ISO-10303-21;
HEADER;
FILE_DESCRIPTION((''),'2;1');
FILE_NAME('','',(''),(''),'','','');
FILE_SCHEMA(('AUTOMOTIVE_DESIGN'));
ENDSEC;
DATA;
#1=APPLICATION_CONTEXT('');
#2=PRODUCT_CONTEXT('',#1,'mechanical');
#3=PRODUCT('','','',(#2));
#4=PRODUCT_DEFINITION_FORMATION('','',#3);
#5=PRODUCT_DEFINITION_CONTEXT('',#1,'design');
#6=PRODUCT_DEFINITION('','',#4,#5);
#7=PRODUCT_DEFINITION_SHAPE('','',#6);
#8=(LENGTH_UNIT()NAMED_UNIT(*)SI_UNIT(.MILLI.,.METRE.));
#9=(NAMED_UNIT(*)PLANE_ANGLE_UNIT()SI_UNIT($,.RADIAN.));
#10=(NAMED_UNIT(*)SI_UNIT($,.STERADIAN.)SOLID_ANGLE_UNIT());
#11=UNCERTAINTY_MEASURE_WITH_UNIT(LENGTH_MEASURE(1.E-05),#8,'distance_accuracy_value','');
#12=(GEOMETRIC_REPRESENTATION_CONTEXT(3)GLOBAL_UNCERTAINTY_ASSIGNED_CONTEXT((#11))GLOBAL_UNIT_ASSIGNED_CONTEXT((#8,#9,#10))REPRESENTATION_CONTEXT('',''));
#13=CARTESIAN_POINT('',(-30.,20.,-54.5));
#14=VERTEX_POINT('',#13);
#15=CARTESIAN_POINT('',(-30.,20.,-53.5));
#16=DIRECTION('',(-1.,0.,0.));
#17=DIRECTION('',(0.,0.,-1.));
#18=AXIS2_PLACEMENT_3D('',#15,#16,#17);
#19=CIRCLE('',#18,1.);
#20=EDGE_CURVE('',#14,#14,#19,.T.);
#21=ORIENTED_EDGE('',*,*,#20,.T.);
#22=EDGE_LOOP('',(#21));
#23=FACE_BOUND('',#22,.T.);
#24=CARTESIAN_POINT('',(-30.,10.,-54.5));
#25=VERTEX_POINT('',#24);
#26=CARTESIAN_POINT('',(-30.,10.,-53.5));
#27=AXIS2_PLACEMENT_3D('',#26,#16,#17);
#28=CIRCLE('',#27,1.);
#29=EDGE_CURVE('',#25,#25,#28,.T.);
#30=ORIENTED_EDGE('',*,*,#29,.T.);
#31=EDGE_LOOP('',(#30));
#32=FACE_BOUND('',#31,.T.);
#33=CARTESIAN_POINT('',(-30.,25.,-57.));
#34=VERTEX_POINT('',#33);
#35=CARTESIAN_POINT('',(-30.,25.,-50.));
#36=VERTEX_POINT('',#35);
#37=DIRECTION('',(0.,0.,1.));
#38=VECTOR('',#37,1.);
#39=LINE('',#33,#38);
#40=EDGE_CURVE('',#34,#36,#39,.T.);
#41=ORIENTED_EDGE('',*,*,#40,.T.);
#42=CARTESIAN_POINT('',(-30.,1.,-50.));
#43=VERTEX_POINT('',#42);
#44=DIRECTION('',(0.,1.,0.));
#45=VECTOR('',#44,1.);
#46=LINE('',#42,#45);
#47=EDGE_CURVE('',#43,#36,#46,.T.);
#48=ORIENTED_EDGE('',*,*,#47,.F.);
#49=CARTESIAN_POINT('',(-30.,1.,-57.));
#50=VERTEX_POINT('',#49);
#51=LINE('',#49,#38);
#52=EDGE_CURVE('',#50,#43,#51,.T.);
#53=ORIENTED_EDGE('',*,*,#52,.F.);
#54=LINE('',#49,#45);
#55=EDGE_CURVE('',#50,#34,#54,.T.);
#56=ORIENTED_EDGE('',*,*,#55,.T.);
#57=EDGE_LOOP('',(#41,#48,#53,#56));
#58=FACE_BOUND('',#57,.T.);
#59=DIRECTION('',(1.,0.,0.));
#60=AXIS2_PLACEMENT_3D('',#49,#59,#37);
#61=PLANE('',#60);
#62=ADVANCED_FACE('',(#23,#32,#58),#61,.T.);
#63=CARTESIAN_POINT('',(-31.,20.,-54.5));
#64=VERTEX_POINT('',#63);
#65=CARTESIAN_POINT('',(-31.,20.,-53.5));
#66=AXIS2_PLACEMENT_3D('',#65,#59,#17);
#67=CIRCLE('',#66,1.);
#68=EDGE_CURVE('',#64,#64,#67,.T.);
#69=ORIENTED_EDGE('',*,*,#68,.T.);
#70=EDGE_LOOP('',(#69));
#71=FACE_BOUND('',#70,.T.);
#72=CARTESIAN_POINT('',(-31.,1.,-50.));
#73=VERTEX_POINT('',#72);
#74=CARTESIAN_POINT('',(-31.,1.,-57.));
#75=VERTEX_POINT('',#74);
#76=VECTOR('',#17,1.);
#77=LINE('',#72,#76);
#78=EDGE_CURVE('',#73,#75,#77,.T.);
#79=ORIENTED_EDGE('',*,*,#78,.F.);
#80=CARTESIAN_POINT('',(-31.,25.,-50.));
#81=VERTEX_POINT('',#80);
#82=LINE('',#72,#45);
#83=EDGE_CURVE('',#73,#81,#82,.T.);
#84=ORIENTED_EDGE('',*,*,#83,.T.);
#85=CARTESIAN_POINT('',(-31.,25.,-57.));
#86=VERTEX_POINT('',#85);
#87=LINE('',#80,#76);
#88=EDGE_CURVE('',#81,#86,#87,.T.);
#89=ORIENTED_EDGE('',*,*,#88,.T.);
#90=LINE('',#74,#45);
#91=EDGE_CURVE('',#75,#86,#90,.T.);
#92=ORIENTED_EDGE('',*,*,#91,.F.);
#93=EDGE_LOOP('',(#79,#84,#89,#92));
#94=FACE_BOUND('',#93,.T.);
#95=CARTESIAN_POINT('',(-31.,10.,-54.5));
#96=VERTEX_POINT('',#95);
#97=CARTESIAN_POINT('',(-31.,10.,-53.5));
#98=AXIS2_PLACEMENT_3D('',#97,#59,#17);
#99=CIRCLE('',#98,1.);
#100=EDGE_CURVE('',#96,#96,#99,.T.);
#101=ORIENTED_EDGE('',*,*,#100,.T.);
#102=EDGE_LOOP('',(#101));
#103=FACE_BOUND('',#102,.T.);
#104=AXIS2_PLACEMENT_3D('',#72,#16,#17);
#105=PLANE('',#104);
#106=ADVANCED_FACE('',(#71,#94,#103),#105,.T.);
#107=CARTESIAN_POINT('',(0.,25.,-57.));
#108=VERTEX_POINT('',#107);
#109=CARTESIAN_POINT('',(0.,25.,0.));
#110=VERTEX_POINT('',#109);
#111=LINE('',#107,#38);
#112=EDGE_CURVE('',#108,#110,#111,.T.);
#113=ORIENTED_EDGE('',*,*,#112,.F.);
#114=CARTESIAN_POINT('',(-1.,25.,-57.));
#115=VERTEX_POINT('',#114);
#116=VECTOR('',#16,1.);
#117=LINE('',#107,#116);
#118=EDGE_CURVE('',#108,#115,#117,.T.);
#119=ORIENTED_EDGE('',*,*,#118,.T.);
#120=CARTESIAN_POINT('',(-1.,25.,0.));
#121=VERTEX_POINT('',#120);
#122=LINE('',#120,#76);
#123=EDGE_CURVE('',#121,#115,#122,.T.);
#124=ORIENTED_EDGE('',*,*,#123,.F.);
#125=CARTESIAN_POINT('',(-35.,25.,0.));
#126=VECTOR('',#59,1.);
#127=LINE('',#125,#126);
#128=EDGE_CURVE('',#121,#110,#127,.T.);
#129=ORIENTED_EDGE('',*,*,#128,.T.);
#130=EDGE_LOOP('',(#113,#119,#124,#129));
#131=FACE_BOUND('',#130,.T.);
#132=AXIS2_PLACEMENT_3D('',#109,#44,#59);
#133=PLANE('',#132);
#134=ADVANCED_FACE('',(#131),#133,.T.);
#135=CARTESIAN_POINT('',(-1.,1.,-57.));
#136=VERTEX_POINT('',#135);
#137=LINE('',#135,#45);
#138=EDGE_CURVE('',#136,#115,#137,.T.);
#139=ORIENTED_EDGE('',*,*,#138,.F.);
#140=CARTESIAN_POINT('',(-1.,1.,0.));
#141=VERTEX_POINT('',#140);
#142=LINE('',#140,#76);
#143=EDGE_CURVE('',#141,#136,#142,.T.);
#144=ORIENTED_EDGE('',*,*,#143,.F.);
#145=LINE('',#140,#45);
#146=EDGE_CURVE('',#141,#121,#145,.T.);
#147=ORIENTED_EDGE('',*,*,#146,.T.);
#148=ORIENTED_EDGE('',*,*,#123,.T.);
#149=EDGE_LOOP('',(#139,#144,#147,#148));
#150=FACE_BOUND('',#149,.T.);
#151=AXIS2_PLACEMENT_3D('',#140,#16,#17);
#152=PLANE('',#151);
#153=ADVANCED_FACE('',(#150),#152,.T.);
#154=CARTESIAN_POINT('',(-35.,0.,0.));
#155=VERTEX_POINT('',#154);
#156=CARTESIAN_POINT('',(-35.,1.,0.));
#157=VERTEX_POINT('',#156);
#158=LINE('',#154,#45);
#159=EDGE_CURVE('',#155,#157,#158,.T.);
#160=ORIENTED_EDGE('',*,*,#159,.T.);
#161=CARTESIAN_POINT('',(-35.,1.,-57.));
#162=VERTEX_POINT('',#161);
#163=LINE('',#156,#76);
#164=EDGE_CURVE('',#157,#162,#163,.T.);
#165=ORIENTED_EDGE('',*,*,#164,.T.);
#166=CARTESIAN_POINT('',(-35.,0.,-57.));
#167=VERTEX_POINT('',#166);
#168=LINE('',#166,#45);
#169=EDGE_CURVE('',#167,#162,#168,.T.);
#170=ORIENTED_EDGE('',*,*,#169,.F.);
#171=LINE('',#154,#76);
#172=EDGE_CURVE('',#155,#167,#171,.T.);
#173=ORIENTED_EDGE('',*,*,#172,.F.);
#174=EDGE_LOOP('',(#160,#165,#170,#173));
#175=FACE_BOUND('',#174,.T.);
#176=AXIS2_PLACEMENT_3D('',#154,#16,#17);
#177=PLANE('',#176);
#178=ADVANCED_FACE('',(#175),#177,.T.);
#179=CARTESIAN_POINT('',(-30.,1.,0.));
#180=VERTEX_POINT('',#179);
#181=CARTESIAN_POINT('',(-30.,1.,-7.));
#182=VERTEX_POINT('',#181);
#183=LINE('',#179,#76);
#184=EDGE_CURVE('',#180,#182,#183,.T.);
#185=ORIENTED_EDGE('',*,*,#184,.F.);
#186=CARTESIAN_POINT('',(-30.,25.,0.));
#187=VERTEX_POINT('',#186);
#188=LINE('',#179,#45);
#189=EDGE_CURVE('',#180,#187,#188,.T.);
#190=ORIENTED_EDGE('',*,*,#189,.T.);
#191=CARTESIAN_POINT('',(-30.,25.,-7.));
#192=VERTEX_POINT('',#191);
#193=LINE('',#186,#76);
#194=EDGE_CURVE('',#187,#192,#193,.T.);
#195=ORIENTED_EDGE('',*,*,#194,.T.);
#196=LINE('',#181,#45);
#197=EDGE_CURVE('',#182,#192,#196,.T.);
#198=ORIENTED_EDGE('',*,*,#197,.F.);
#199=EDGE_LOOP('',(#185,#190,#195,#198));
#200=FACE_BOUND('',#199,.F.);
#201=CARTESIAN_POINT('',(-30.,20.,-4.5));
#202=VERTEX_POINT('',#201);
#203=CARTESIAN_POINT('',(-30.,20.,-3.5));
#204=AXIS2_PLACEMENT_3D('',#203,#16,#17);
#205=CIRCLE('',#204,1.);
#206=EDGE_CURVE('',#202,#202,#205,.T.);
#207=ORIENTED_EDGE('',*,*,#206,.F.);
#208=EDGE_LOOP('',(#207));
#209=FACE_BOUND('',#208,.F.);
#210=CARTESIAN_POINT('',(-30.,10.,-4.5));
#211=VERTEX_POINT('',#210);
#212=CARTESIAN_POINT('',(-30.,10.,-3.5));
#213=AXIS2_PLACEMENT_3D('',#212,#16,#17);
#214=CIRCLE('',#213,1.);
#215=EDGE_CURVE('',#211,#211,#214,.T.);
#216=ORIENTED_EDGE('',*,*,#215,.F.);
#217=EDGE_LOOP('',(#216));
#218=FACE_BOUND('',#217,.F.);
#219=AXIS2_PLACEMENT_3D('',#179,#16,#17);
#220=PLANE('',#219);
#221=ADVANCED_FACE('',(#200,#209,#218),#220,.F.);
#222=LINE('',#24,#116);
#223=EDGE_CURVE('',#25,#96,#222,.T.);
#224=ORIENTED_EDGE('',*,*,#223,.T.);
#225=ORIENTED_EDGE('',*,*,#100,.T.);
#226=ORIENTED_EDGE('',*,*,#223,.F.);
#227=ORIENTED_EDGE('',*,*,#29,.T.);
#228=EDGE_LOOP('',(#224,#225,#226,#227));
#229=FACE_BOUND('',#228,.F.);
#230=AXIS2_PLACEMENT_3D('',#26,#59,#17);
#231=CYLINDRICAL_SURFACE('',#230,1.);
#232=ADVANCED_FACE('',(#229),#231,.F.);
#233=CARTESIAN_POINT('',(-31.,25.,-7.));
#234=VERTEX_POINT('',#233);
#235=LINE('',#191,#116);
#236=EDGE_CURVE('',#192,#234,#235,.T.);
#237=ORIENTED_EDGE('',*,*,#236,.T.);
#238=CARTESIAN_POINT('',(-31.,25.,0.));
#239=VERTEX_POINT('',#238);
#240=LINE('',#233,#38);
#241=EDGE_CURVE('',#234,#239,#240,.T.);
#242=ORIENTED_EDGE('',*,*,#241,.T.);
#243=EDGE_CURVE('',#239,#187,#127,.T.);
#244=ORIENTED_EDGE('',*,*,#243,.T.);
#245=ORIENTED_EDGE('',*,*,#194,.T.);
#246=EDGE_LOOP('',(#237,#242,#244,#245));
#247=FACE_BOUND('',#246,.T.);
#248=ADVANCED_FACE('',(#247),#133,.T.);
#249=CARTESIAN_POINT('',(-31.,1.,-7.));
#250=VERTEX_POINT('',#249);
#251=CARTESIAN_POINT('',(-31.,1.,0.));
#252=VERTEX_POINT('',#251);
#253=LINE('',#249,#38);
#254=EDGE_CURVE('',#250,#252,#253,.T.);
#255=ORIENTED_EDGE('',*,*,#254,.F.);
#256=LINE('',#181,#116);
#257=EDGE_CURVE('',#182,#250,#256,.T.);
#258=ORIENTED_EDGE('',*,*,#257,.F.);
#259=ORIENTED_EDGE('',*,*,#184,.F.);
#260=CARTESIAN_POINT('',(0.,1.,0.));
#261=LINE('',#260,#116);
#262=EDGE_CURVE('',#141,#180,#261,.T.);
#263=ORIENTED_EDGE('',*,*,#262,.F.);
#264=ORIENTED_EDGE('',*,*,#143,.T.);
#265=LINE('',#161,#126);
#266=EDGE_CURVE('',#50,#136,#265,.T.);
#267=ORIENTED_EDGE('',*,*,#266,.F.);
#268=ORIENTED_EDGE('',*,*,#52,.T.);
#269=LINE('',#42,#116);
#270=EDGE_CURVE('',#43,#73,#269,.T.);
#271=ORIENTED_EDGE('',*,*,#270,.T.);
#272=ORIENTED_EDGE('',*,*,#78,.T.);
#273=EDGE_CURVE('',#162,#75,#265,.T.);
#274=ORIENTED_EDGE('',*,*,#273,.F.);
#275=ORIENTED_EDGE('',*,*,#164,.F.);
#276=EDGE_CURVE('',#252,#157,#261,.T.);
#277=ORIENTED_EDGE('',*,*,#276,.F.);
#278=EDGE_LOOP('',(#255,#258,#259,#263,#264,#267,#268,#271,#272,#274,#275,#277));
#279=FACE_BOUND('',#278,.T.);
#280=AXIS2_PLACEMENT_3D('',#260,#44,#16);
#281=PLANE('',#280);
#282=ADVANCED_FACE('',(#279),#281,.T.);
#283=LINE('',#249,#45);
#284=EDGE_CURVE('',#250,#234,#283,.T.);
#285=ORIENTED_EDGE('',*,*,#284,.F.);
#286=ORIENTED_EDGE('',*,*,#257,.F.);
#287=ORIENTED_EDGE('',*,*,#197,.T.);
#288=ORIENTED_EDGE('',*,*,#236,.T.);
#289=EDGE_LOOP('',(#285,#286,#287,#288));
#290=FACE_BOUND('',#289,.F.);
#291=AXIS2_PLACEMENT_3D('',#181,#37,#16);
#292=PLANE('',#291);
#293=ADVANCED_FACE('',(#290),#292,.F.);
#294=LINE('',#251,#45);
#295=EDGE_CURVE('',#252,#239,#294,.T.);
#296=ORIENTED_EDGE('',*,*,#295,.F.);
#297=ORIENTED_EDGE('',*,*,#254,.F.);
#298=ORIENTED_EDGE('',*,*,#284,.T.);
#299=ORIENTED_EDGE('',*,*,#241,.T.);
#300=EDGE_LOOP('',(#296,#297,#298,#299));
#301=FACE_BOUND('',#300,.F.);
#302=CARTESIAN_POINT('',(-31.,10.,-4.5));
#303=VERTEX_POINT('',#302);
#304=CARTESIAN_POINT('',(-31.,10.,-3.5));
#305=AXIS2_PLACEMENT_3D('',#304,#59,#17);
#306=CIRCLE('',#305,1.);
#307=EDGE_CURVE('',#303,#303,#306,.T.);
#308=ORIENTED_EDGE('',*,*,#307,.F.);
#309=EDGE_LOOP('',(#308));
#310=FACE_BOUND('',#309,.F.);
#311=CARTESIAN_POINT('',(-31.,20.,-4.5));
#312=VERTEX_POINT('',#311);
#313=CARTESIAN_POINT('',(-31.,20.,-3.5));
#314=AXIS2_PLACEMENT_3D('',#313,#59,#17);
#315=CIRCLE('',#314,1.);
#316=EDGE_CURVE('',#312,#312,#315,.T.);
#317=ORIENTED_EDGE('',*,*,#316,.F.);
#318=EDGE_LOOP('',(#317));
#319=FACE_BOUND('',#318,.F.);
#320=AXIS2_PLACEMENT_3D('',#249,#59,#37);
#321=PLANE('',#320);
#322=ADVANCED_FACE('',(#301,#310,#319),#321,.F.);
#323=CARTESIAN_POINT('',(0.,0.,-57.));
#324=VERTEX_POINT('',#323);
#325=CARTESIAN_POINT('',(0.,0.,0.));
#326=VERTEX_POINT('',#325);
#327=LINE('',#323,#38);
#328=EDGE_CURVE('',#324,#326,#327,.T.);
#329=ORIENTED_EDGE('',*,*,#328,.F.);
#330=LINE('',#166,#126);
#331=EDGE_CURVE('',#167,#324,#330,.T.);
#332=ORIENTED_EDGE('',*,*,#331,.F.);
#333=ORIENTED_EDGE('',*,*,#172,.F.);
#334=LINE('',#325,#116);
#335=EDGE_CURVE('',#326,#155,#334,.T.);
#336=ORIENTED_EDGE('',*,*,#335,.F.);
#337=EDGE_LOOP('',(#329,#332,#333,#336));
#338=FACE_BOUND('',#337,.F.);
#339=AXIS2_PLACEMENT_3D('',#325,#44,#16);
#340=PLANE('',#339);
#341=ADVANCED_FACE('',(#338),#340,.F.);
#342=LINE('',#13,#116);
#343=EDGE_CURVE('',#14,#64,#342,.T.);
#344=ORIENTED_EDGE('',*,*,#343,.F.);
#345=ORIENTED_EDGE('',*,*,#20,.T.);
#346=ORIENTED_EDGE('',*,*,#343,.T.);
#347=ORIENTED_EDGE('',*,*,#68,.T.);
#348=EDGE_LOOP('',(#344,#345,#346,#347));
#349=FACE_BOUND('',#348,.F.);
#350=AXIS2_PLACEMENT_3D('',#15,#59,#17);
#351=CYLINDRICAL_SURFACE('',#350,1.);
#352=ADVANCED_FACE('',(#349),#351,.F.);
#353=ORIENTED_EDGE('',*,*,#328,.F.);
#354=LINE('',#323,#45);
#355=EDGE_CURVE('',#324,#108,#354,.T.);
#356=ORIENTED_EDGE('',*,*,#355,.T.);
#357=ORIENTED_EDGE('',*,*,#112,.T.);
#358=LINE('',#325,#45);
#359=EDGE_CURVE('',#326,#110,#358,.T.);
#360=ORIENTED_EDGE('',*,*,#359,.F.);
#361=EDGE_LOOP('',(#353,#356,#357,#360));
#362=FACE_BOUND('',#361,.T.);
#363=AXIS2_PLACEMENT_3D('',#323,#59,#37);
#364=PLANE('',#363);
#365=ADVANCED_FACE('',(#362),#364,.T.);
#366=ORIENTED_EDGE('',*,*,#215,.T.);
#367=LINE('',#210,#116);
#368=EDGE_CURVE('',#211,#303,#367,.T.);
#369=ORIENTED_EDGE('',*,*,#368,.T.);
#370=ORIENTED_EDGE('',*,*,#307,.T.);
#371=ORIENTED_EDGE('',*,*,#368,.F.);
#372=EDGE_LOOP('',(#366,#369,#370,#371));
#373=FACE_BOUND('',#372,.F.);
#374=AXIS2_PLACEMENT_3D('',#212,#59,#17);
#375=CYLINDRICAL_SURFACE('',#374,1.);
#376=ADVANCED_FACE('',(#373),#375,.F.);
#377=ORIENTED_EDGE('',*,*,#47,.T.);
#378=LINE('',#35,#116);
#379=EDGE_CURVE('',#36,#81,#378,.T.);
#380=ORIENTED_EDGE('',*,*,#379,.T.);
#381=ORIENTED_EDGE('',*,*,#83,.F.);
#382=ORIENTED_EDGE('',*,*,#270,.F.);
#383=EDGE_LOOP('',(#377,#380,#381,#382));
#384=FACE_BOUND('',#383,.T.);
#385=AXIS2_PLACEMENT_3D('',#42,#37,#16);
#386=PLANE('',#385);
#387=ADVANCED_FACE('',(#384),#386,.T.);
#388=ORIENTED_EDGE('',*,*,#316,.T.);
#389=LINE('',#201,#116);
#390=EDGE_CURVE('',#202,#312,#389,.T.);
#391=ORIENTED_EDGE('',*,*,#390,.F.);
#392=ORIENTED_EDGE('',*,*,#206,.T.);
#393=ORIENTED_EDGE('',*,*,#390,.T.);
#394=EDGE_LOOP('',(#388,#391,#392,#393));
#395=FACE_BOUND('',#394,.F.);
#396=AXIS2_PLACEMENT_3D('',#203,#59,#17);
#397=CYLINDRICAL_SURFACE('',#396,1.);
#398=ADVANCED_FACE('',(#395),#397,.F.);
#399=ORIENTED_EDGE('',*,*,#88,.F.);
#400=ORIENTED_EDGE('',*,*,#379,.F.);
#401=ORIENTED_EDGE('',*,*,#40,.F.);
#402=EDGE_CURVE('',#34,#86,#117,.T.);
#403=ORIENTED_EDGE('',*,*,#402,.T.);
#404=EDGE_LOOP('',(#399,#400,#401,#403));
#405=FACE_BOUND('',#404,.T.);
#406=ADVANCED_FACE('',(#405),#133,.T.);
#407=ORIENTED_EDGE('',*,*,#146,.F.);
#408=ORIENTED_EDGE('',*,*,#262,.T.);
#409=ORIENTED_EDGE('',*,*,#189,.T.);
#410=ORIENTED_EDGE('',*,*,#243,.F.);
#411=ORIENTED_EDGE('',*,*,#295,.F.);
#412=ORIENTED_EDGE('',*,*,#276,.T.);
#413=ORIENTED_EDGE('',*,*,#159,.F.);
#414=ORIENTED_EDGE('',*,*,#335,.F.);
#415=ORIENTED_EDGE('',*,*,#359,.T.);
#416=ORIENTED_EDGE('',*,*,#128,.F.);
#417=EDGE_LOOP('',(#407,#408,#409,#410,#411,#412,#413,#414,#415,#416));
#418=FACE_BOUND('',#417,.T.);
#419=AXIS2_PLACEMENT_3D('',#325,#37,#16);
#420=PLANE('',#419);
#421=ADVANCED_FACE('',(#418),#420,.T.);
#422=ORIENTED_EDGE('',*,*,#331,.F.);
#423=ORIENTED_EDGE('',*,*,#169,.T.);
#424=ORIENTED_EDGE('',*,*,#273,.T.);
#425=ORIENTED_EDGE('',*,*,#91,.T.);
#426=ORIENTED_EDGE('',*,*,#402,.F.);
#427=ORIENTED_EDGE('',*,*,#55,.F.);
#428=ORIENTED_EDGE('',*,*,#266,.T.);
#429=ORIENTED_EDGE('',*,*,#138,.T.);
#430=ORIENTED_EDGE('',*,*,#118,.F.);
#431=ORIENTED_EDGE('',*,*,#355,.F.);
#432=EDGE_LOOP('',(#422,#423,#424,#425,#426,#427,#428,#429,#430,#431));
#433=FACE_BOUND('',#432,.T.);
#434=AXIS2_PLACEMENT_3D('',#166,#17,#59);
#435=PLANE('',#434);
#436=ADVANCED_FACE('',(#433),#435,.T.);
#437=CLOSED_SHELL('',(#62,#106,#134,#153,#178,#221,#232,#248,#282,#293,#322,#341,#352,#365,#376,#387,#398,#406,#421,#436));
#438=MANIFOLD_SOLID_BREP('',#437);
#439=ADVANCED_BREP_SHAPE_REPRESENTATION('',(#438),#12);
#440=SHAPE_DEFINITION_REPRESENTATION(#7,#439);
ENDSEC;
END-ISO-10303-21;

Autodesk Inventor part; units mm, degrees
ref_plane "YZ Plane" through (0, 0, 0) normal (1, 0, 0) x (0, 1, 0)
ref_plane "XZ Plane" through (0, 0, 0) normal (0, 1, 0) x (-1, 0, 0)
ref_plane "XY Plane" through (0, 0, 0) normal (0, 0, 1) x (1, 0, 0)
sketch "Sketch1" plane through (0, 0, 0) normal (0, 1, 0) x (-1, 0, 0)
  line L0 (0, 0) -> (35, 0)
  line L1 (35, 0) -> (35, -57)
  line L2 (35, -57) -> (0, -57)
  line L3 (0, -57) -> (0, 0)
  dimension "d0" = 35
  dimension "d1" = 57
extrude "Extrusion1" add sketch "Sketch1" along normal blind 1
sketch "Sketch2" plane through (0, 1, 0) normal (0, 1, 0) x (1, 0, 0)
  line L0 (-35, 0) -> (0, 0) projected
  line L1 (0, 57) -> (-35, 57) projected
  line L2 (0, 0) -> (-1, 0)
  line L3 (-1, 0) -> (-1, 57)
  line L4 (-1, 57) -> (0, 57)
  line L5 (0, 57) -> (0, 0)
  line L6 (-31, 0) -> (-30, 0)
  line L7 (-30, 0) -> (-30, 7)
  line L8 (-30, 7) -> (-31, 7)
  line L9 (-31, 7) -> (-31, 0)
  line L10 (-31, 57) -> (-30, 57)
  line L11 (-30, 57) -> (-30, 50)
  line L12 (-30, 50) -> (-31, 50)
  line L13 (-31, 50) -> (-31, 57)
  dimension "d4" = 1
  dimension "d5" = 31
  dimension "d6" = 1
  dimension "d7" = 7
  dimension "d8" = 7
extrude "Extrusion2" add sketch "Sketch2" along normal blind 24
sketch "Sketch3" plane through (-30, 1, 0) normal (1, 0, 0) x (0, 0, -1)
  line L0 (0, 24) -> (7, 24) projected
  line L1 (3.5, 24) -> (3.5, 19)
  line L2 (3.5, 19) -> (3.5, 9)
  line L3 (50, 24) -> (57, 24) projected
  line L4 (53.5, 24) -> (53.5, 19)
  line L5 (53.5, 19) -> (53.5, 9)
  circle A0 centre (3.5, 19) radius 1
  circle A1 centre (3.5, 9) radius 1
  circle A2 centre (53.5, 19) radius 1
  circle A3 centre (53.5, 9) radius 1
  point P0 (0, -1)
  dimension "d11" = 5
  dimension "d12" = 10
  dimension "d13" = 5
  dimension "d14" = 10
  dimension "d15" = 2
  dimension "d16" = 2
  dimension "d17" = 2
  dimension "d18" = 2
extrude "Extrusion3" cut sketch "Sketch3" against normal blind 24
properties part number "elbow servo plate"
